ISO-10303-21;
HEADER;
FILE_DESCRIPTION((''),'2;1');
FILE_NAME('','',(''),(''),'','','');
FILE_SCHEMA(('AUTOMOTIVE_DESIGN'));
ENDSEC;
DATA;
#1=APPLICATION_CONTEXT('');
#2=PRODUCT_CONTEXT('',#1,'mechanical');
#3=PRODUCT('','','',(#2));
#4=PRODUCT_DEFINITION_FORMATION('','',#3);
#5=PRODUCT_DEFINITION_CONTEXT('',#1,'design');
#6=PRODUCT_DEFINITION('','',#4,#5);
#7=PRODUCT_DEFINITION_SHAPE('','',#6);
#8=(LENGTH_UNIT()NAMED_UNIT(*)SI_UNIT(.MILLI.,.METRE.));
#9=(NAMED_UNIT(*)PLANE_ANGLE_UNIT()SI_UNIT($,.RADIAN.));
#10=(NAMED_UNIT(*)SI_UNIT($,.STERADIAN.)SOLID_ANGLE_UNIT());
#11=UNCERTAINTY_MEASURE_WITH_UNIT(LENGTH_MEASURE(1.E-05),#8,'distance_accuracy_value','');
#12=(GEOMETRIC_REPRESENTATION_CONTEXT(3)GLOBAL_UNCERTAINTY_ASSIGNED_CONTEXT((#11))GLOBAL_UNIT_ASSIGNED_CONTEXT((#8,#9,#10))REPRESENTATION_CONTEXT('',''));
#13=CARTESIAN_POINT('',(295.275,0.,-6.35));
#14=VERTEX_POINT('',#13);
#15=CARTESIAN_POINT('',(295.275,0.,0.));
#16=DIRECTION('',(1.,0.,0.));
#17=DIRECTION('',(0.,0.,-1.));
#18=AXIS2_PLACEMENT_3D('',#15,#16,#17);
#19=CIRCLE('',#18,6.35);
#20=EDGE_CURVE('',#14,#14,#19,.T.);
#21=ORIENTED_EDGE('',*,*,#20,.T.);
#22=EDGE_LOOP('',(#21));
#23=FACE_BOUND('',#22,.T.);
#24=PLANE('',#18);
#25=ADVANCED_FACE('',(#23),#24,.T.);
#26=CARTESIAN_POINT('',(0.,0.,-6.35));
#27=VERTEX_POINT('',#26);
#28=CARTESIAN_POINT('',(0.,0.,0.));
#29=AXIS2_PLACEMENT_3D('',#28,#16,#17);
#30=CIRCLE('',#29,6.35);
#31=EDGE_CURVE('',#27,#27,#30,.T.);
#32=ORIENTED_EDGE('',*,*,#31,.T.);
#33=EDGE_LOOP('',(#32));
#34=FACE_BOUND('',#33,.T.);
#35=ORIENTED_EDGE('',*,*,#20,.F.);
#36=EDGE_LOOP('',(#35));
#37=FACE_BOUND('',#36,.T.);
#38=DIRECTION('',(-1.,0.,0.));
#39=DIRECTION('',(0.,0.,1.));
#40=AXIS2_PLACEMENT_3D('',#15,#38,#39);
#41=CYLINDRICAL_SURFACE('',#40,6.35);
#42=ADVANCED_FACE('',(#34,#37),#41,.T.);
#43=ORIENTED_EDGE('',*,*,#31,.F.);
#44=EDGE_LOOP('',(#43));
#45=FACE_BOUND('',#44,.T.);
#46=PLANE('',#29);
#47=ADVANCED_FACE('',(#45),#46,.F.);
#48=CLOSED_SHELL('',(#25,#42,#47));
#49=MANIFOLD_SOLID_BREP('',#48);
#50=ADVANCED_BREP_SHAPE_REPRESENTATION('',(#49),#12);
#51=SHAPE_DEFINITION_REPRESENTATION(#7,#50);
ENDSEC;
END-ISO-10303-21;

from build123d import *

# Parameters (mm, degrees)
SKETCH1_R           = 6.35
BOSS_EXTRUDE1_DEPTH = 295.275


with BuildPart() as part:
    # Sketch1 → Boss-Extrude1 (new body)
    with BuildSketch(Plane(origin=(0, 0, 0), x_dir=(0, 0, -1), z_dir=(1, 0, 0))):
        Circle(SKETCH1_R)
    extrude(amount=BOSS_EXTRUDE1_DEPTH)


solid = part.part
